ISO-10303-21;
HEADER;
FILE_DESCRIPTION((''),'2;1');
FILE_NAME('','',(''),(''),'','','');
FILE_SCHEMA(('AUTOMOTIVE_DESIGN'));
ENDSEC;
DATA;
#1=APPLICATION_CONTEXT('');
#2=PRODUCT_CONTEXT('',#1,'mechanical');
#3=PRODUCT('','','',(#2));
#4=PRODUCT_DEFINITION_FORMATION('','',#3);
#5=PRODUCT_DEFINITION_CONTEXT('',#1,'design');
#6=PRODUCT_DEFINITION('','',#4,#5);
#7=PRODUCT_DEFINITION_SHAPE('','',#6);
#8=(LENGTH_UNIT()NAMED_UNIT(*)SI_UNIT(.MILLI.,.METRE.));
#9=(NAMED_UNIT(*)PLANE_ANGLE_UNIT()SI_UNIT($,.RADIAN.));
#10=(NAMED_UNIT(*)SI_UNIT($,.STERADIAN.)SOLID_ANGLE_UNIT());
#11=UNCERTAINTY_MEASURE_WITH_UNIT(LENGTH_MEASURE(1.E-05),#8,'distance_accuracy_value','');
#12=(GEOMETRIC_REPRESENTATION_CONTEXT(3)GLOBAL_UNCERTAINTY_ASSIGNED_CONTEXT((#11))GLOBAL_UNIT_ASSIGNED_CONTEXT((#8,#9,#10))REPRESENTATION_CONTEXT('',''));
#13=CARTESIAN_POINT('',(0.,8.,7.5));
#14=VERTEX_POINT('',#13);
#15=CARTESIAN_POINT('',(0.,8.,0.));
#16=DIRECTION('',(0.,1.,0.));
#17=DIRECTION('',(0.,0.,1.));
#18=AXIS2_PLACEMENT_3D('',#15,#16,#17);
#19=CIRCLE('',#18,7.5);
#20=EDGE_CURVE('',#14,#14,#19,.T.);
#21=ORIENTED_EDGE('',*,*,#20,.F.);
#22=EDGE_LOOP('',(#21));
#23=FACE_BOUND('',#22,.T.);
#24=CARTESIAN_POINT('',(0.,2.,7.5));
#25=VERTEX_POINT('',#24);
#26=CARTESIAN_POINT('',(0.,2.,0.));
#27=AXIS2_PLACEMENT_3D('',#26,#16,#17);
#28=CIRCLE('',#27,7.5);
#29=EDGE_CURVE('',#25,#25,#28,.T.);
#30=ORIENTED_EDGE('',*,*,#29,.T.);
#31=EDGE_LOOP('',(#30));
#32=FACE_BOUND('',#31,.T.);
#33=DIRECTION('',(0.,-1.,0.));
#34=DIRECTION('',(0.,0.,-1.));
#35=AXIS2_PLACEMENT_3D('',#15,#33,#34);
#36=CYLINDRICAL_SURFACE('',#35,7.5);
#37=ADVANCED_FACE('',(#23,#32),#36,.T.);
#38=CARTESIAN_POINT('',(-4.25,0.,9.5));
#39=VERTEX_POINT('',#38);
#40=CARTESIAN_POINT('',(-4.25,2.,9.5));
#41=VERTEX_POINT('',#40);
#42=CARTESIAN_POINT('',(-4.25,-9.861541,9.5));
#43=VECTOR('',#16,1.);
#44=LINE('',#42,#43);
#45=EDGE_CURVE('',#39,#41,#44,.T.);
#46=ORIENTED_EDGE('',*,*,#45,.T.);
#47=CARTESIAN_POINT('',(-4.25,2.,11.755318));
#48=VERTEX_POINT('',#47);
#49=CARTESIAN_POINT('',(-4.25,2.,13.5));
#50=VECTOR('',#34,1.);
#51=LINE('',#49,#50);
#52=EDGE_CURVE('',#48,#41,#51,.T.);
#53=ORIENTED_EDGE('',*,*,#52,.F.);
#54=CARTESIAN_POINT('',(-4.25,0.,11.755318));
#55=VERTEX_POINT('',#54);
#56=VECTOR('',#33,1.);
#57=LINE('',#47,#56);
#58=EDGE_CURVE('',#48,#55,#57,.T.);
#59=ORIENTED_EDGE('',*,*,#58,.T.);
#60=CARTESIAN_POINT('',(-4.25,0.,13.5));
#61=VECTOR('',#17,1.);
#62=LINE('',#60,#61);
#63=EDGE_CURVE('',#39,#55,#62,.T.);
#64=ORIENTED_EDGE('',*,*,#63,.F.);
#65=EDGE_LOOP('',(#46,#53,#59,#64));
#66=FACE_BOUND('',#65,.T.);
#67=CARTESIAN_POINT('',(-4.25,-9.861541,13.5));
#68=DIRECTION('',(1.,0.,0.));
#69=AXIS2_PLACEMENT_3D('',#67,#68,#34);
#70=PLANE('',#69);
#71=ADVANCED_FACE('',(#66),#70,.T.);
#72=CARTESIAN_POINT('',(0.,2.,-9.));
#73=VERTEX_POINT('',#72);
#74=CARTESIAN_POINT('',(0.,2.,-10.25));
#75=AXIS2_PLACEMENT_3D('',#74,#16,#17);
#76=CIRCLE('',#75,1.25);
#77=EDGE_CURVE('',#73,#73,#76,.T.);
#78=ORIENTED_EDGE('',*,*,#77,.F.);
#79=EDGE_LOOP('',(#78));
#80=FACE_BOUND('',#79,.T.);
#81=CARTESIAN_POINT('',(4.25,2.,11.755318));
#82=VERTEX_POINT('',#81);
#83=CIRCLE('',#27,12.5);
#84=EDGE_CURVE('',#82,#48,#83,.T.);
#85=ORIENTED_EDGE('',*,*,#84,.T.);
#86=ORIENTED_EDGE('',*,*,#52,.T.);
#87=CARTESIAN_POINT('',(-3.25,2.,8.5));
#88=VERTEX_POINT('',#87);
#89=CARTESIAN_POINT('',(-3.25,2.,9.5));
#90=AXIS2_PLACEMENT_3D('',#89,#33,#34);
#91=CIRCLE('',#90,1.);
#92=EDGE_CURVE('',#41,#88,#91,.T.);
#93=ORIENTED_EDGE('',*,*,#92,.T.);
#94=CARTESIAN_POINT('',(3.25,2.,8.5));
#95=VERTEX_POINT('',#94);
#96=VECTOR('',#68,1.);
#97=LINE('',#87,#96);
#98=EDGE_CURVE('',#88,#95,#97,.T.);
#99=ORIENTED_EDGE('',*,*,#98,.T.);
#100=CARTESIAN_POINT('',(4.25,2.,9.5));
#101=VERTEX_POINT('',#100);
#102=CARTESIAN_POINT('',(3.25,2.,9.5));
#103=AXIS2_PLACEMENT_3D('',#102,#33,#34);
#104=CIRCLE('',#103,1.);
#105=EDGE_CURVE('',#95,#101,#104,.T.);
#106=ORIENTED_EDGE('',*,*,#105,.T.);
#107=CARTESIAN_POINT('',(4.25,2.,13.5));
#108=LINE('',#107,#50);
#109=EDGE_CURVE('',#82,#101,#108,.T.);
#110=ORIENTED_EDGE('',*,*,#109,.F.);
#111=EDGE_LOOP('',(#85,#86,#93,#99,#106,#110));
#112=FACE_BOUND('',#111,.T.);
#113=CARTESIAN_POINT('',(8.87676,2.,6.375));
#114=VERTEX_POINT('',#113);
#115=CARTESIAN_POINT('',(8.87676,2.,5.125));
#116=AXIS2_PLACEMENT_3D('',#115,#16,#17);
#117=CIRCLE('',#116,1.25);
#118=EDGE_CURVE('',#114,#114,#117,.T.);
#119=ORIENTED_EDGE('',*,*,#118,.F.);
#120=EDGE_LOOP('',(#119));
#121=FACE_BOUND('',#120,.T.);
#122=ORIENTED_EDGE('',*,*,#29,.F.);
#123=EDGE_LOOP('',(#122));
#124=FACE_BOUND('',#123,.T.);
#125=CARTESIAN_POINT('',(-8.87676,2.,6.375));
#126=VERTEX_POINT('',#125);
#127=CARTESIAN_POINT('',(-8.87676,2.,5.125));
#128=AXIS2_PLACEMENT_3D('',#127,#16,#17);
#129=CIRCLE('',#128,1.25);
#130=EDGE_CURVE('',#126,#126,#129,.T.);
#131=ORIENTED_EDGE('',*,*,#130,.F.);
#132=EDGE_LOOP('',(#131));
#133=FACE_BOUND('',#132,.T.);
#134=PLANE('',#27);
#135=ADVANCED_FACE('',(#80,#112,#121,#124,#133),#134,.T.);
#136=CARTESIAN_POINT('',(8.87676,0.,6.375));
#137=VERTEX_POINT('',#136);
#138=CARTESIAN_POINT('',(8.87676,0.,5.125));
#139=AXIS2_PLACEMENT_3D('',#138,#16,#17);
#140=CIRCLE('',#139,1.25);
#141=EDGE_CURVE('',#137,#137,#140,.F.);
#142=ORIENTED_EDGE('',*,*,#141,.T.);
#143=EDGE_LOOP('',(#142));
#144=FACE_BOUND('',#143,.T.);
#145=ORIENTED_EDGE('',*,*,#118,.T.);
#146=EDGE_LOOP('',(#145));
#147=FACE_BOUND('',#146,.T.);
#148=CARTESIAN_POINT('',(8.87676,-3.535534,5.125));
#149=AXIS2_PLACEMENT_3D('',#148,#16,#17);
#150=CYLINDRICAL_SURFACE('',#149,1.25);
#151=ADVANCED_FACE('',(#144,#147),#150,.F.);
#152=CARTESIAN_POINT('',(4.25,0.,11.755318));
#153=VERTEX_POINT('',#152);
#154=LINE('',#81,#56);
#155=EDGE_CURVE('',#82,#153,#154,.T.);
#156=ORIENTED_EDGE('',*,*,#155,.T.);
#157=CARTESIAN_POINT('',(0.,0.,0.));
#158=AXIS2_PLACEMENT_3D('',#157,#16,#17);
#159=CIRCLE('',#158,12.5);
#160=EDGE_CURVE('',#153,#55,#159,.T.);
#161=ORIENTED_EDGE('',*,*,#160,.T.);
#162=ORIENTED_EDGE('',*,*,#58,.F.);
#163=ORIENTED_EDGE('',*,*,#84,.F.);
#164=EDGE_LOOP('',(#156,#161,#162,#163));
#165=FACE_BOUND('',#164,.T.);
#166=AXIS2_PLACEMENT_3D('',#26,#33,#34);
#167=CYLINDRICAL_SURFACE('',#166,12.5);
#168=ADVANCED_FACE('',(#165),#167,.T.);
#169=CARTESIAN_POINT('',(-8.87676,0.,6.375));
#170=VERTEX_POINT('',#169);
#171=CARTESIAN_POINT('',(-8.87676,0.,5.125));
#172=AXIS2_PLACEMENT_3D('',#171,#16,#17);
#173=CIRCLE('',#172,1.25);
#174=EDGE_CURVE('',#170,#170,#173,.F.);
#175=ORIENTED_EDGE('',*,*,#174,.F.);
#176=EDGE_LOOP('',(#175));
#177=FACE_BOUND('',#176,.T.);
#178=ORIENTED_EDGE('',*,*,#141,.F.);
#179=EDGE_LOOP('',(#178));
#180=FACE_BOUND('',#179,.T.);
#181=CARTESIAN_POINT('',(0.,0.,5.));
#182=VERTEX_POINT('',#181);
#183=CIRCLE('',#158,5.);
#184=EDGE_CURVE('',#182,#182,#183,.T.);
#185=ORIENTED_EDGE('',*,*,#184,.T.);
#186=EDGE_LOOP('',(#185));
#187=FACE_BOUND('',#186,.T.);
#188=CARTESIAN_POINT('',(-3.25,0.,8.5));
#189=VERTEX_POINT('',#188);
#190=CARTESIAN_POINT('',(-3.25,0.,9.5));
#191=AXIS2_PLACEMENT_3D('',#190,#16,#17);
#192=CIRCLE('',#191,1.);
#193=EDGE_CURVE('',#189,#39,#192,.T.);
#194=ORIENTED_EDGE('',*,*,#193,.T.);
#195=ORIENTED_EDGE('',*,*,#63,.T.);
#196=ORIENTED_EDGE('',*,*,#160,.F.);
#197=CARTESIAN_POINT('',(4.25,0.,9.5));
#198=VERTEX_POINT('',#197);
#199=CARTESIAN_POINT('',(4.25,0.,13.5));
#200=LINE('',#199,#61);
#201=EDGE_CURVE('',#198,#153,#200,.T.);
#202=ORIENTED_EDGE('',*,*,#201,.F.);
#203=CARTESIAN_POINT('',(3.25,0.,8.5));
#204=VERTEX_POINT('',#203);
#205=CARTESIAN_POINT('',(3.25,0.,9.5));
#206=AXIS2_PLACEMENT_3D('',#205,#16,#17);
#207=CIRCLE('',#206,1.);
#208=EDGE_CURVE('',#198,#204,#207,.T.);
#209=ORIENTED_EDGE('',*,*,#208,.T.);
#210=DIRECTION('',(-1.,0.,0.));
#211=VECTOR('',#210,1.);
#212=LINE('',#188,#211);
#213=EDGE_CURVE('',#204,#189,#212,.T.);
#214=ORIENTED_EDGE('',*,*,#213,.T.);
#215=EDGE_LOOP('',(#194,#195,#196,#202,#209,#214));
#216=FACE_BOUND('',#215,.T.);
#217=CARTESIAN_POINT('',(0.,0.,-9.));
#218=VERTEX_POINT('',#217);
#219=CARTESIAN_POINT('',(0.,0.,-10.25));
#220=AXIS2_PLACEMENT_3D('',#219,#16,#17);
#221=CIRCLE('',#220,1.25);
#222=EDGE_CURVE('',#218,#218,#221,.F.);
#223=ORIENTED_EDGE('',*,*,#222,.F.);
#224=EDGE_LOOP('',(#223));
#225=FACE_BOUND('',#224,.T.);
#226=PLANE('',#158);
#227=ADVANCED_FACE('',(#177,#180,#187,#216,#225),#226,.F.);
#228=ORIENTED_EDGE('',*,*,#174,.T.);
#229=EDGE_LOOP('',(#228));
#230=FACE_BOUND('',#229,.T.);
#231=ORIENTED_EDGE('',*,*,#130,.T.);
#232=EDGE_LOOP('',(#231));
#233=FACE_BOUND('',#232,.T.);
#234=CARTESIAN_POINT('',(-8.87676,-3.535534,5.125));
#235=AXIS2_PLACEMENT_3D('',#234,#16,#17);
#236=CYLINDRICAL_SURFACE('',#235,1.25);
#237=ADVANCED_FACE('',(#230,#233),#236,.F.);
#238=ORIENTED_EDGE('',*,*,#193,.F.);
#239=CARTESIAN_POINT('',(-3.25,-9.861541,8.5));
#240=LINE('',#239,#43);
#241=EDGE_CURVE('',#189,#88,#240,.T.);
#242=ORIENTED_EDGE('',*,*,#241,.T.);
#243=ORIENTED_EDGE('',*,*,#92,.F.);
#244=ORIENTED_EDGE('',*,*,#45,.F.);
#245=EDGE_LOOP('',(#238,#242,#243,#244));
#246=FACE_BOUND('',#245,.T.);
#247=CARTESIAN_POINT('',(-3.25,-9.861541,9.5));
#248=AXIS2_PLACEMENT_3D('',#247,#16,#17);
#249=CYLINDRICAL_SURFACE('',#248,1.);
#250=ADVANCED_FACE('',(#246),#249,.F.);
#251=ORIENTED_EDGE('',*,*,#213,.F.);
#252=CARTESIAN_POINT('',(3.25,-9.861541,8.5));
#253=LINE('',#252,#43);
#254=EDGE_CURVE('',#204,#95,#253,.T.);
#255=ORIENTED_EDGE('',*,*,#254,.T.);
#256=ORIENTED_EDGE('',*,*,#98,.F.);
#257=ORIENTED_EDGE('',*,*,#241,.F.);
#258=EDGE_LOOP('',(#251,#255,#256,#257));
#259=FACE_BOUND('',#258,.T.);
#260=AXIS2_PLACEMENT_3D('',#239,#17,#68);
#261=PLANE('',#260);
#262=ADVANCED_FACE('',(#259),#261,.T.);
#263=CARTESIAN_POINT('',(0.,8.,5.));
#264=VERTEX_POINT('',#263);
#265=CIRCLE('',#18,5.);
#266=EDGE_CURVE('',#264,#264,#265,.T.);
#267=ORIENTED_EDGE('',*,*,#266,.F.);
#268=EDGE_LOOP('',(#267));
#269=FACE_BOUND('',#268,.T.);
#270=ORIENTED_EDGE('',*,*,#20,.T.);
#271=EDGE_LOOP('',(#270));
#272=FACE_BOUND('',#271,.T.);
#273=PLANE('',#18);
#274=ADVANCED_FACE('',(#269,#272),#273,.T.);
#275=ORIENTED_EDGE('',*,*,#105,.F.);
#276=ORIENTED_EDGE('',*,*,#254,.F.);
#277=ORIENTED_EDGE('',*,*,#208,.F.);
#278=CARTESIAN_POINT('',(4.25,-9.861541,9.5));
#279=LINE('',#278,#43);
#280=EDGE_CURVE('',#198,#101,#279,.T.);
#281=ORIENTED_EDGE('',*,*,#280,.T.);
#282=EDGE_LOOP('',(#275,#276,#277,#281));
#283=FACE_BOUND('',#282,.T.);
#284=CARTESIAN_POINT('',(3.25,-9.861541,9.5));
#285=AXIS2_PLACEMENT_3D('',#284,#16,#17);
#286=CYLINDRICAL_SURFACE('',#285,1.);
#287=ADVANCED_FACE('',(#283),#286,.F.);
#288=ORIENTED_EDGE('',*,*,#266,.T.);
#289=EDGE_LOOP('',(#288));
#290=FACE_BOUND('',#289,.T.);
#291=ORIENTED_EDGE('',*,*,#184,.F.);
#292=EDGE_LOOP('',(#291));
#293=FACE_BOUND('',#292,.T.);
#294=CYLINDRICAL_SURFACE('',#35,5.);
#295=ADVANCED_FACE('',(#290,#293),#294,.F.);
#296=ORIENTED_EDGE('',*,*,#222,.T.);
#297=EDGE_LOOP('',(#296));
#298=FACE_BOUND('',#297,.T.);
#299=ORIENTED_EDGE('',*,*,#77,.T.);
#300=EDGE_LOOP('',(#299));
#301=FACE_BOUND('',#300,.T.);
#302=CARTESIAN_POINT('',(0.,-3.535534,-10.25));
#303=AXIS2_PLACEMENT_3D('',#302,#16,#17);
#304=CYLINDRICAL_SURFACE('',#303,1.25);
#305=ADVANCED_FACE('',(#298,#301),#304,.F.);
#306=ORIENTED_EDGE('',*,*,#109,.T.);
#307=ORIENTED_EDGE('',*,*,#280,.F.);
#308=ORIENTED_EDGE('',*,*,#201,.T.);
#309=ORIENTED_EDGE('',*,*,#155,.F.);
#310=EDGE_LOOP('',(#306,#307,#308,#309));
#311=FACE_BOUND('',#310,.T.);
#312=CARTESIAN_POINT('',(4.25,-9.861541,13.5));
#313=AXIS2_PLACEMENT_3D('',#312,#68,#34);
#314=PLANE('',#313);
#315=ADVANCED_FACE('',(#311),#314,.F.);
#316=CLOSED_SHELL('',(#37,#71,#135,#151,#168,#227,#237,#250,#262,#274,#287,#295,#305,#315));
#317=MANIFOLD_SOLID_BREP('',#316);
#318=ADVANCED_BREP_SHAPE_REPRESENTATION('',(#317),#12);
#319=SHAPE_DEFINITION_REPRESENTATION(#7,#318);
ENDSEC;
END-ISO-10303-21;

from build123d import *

# Parameters (mm, degrees)
SKETCH1_R           = 12.5
SKETCH1_R_2         = 7.5
BOSS_EXTRUDE1_DEPTH = 2
SKETCH1_3_R         = 7.5
SKETCH1_3_R_2       = 5
BOSS_EXTRUDE2_DEPTH = 8
CUT_EXTRUDE1_DEPTH  = 2
SKETCH3_R           = 1.25
CUT_EXTRUDE2_DEPTH  = 2


with BuildPart() as part:
    # Sketch1 → Boss-Extrude1 (new body)
    with BuildSketch(Plane(origin=(0, 0, 0), x_dir=(1, 0, 0), z_dir=(0, 1, 0))):
        with Locations(Location((0, 0, 0), (0, 0, 270))):
            Circle(SKETCH1_R)
        with Locations(Location((0, 0, 0), (0, 0, 270))):
            Circle(SKETCH1_R_2, mode=Mode.SUBTRACT)
    extrude(amount=BOSS_EXTRUDE1_DEPTH)

    # Sketch1<3> → Boss-Extrude2 (add)
    with BuildSketch(Plane(origin=(0, 0, 0), x_dir=(1, 0, 0), z_dir=(0, 1, 0))):
        with Locations(Location((0, 0, 0), (0, 0, 270))):
            Circle(SKETCH1_3_R)
        with Locations(Location((0, 0, 0), (0, 0, 270))):
            Circle(SKETCH1_3_R_2, mode=Mode.SUBTRACT)
    extrude(amount=BOSS_EXTRUDE2_DEPTH)

    # Sketch2 → Cut-Extrude1 (cut)
    with BuildSketch(Plane(origin=(0, 2, 0), x_dir=(1, 0, 0), z_dir=(0, 1, 0))):
        with BuildLine():
            Line((-4.25, -13.5), (4.25, -13.5))
            Line((4.25, -13.5), (4.25, -9.5))
            ThreePointArc((4.25, -9.5), (3.957106781, -8.792893219), (3.25, -8.5))
            Line((3.25, -8.5), (-3.25, -8.5))
            ThreePointArc((-3.25, -8.5), (-3.957106781, -8.792893219), (-4.25, -9.5))
            Line((-4.25, -9.5), (-4.25, -13.5))
        make_face()
    extrude(amount=-CUT_EXTRUDE1_DEPTH, mode=Mode.SUBTRACT)

    # Sketch3 → Cut-Extrude2 (cut)
    with BuildSketch(Plane(origin=(0, 2, 0), x_dir=(1, 0, 0), z_dir=(0, 1, 0))):
        with Locations(Location((0, 10.25, 0), (0, 0, 270))):
            Circle(SKETCH3_R)
        with Locations(Location((8.876760389, -5.125, 0), (0, 0, 270))):
            Circle(SKETCH3_R)
        with Locations(Location((-8.876760389, -5.125, 0), (0, 0, 270))):
            Circle(SKETCH3_R)
    extrude(amount=-CUT_EXTRUDE2_DEPTH, mode=Mode.SUBTRACT)


solid = part.part
